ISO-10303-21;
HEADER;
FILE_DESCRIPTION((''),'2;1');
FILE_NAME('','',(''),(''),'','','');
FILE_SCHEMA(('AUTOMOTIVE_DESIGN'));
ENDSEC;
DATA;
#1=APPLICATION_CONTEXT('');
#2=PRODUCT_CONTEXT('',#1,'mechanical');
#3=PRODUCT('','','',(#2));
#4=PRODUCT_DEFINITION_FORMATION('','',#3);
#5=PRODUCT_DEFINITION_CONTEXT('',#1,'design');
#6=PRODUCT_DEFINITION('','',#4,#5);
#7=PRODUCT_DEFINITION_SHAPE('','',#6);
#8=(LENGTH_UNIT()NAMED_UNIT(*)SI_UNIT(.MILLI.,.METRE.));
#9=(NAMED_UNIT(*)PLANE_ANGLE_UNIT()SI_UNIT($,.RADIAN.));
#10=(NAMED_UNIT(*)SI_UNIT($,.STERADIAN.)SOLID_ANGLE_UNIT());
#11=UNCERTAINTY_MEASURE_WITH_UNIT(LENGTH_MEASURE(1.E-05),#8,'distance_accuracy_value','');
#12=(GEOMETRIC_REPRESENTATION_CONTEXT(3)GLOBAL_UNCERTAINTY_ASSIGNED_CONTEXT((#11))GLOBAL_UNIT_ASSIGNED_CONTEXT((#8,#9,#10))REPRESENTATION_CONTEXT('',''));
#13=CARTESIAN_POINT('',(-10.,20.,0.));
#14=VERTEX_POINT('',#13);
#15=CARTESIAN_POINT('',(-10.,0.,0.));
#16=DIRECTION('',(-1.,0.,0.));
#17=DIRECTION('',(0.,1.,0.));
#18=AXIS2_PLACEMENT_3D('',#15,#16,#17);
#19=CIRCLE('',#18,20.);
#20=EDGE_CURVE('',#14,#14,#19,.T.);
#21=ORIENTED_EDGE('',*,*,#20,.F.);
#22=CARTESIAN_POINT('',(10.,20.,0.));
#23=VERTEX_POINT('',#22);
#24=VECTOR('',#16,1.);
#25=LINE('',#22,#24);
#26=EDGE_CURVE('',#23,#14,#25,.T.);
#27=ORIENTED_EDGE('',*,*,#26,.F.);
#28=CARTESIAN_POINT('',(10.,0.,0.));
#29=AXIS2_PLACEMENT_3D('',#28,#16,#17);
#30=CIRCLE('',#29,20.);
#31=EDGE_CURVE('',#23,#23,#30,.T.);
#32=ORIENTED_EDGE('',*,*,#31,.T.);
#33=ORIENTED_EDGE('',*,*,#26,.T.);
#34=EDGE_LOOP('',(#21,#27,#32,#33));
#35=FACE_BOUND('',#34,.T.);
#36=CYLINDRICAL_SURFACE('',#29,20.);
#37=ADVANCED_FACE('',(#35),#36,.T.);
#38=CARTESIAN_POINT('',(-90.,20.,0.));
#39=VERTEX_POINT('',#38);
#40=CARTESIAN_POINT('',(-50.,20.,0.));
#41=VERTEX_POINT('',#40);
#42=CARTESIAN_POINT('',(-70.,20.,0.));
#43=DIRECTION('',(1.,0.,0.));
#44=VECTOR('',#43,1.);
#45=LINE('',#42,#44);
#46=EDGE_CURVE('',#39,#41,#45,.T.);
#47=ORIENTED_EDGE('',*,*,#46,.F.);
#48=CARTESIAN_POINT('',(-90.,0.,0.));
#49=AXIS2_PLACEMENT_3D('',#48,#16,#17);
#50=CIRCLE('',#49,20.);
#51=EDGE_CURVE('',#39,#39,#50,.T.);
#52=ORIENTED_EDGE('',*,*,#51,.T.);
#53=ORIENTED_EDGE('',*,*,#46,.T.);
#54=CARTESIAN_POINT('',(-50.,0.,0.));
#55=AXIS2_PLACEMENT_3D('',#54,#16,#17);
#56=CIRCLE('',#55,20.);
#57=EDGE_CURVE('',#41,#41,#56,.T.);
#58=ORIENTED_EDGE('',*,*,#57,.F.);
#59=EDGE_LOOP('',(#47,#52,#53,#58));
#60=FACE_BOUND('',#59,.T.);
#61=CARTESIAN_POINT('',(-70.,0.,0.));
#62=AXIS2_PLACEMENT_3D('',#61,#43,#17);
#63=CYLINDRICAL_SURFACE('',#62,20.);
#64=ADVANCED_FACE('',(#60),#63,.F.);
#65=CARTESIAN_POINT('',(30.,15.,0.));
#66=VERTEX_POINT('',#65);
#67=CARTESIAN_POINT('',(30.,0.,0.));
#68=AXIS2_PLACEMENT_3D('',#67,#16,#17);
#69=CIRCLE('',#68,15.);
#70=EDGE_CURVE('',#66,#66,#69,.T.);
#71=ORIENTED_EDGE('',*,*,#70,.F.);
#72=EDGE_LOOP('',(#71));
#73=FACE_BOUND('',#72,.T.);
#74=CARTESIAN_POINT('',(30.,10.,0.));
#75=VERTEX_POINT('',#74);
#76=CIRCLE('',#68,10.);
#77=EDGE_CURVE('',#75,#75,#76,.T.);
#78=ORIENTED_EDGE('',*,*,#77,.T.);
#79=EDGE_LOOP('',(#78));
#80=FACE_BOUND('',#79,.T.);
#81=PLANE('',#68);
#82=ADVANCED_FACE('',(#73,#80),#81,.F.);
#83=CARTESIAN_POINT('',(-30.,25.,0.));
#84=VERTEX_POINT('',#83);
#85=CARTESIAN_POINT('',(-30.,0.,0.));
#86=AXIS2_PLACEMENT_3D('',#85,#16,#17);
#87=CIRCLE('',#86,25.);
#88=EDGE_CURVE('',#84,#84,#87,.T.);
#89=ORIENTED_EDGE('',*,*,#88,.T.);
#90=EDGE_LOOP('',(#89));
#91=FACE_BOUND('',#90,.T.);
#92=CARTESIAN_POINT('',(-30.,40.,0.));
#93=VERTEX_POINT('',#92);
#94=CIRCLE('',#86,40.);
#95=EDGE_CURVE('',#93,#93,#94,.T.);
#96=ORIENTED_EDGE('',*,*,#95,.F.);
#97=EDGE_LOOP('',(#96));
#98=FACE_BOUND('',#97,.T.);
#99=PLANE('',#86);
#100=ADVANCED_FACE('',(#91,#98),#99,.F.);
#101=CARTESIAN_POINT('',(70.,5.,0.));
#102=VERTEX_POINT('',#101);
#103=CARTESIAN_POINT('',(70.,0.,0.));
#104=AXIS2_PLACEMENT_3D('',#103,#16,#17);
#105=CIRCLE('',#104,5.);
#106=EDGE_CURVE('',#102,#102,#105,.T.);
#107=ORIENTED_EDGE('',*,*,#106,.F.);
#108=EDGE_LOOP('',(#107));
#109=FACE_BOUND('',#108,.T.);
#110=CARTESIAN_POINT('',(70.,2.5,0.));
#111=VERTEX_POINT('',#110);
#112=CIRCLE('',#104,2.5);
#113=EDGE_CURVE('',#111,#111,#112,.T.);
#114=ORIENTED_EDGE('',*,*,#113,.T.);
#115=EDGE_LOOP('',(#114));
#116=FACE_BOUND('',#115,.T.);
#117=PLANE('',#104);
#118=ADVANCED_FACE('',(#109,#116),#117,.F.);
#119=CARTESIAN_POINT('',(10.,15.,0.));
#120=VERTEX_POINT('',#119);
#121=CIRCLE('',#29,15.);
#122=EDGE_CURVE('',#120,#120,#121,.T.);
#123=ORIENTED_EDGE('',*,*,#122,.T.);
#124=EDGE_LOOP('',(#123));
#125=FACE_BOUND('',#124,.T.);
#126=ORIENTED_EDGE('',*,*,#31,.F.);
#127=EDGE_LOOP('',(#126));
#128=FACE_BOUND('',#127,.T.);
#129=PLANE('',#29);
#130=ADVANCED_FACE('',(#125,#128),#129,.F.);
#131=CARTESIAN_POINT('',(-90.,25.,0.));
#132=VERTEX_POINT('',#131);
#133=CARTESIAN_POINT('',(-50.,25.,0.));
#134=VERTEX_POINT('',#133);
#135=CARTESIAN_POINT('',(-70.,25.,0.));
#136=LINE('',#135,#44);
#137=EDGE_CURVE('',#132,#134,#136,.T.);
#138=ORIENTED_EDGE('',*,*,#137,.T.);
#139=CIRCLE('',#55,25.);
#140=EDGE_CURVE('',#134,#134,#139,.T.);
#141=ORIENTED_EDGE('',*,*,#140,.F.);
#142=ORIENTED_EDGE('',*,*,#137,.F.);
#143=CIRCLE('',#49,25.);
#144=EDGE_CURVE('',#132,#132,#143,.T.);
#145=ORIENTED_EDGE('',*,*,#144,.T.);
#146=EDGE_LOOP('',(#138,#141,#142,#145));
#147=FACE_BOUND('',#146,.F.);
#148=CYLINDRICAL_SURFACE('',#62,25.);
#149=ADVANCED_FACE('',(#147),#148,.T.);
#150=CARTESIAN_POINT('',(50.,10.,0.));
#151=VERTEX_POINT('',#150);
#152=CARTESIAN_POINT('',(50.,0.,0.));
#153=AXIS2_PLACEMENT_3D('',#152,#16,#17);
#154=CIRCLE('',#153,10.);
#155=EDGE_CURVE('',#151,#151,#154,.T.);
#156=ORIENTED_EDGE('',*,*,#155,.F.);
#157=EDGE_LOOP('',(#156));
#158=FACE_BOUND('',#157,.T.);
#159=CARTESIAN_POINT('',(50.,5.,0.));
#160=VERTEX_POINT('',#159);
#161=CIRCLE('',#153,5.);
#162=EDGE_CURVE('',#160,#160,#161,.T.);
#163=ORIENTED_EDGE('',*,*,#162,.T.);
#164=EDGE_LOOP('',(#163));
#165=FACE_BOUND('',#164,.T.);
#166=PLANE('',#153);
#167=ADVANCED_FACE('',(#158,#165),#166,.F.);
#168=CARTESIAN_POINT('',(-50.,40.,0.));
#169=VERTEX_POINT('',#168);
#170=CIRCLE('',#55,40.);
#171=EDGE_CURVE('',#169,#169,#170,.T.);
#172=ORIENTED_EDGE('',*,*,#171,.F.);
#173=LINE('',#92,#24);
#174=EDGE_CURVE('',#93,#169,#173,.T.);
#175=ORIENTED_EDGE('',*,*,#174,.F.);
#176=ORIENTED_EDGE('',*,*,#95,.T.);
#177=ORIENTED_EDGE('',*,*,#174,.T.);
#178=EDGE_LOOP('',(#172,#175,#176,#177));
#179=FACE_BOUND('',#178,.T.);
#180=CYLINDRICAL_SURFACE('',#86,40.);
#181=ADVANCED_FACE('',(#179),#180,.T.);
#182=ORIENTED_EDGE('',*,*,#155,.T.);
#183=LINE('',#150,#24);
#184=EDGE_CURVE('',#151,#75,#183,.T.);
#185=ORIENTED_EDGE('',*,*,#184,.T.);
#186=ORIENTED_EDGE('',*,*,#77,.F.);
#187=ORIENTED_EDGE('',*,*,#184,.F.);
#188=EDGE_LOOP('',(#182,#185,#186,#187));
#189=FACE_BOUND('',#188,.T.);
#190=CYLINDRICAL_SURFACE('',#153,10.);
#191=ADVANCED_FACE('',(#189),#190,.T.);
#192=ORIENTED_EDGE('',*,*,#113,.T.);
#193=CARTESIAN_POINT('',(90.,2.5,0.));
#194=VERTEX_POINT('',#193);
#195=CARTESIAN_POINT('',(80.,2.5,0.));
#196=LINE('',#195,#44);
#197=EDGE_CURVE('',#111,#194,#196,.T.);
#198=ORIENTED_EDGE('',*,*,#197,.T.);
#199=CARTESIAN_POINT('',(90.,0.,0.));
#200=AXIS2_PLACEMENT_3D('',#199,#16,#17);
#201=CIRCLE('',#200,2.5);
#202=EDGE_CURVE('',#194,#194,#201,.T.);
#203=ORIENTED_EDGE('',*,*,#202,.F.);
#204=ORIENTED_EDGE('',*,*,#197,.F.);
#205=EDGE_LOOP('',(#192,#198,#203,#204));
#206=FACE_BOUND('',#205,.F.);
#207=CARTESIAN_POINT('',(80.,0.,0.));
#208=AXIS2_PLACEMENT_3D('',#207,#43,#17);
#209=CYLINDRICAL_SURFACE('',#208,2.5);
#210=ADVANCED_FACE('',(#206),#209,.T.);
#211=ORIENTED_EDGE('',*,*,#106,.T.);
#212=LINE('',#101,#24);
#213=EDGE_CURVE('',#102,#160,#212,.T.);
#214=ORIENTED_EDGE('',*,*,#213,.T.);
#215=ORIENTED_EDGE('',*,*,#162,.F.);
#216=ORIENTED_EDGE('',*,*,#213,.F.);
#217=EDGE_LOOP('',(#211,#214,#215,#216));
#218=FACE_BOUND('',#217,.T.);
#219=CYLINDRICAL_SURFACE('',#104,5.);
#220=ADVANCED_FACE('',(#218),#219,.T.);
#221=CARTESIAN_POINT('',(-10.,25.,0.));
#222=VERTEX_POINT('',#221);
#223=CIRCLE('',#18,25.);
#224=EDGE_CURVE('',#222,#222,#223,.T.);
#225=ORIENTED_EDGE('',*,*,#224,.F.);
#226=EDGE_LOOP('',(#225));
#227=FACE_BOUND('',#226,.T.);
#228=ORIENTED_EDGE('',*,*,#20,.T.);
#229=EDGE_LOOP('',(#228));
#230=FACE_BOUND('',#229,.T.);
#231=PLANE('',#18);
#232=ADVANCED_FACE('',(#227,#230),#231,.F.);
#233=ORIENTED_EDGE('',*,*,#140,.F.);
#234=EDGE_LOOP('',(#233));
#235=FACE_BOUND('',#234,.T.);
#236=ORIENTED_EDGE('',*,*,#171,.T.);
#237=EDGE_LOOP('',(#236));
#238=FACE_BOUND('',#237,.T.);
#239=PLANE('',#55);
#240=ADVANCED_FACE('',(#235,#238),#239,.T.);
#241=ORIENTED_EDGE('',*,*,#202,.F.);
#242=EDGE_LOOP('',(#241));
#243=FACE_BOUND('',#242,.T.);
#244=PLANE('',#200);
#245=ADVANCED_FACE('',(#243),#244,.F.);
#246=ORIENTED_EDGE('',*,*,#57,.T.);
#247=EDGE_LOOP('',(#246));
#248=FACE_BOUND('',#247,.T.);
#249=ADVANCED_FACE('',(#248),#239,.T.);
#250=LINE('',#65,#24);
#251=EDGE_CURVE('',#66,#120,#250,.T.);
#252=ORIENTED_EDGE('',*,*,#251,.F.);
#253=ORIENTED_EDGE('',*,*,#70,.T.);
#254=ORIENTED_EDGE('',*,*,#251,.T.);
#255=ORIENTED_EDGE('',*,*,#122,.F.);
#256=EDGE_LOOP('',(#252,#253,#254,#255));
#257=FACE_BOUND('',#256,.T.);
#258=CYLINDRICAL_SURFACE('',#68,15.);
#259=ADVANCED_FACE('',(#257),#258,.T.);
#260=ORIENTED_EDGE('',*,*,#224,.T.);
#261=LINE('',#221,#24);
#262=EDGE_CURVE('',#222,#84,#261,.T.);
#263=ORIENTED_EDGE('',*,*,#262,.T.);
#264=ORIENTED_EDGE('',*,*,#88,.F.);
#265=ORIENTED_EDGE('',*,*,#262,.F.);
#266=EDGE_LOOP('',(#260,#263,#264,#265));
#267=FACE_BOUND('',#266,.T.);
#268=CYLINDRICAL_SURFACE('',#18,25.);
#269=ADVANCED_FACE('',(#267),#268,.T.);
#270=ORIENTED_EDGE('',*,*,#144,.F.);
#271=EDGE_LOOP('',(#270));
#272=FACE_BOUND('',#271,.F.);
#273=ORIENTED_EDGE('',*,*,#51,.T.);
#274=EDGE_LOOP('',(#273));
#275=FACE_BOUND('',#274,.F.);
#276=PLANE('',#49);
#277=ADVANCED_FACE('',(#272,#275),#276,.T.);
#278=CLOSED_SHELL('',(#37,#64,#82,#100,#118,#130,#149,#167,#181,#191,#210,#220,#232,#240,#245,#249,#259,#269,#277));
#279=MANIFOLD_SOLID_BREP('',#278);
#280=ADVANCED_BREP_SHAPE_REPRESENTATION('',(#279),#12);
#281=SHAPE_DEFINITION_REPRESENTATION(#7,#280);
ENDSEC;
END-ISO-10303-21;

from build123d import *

# Parameters (mm, degrees)
F0_W   = 40
F0_H   = 5
F0_W_2 = 20
F0_H_2 = 2.5


with BuildPart() as f1:
    # F0 (on Top) → F1 (revolve)
    with BuildSketch(Plane.XY):
        Polygon((-50, 0), (-30, 0), (-30, 25), (-30, 40), (-50, 40), (-50, 25), (-50, 20), align=None)
        with Locations((-70, 22.5)):
            Rectangle(F0_W, F0_H)
        Polygon((-30, 0), (-10, 0), (-10, 20), (-10, 25), (-30, 25), align=None)
        Polygon((-10, 0), (10, 0), (10, 15), (10, 20), (-10, 20), align=None)
        Polygon((10, 15), (10, 0), (30, 0), (30, 10), (30, 15), align=None)
        Polygon((30, 10), (30, 0), (50, 0), (50, 5), (50, 10), align=None)
        Polygon((50, 5), (50, 0), (70, 0), (70, 2.5), (70, 5), align=None)
        with Locations((80, 1.25)):
            Rectangle(F0_W_2, F0_H_2)
    revolve(axis=Axis((-40, 0, 0), (-1, 0, 0)))


solid = f1.part
